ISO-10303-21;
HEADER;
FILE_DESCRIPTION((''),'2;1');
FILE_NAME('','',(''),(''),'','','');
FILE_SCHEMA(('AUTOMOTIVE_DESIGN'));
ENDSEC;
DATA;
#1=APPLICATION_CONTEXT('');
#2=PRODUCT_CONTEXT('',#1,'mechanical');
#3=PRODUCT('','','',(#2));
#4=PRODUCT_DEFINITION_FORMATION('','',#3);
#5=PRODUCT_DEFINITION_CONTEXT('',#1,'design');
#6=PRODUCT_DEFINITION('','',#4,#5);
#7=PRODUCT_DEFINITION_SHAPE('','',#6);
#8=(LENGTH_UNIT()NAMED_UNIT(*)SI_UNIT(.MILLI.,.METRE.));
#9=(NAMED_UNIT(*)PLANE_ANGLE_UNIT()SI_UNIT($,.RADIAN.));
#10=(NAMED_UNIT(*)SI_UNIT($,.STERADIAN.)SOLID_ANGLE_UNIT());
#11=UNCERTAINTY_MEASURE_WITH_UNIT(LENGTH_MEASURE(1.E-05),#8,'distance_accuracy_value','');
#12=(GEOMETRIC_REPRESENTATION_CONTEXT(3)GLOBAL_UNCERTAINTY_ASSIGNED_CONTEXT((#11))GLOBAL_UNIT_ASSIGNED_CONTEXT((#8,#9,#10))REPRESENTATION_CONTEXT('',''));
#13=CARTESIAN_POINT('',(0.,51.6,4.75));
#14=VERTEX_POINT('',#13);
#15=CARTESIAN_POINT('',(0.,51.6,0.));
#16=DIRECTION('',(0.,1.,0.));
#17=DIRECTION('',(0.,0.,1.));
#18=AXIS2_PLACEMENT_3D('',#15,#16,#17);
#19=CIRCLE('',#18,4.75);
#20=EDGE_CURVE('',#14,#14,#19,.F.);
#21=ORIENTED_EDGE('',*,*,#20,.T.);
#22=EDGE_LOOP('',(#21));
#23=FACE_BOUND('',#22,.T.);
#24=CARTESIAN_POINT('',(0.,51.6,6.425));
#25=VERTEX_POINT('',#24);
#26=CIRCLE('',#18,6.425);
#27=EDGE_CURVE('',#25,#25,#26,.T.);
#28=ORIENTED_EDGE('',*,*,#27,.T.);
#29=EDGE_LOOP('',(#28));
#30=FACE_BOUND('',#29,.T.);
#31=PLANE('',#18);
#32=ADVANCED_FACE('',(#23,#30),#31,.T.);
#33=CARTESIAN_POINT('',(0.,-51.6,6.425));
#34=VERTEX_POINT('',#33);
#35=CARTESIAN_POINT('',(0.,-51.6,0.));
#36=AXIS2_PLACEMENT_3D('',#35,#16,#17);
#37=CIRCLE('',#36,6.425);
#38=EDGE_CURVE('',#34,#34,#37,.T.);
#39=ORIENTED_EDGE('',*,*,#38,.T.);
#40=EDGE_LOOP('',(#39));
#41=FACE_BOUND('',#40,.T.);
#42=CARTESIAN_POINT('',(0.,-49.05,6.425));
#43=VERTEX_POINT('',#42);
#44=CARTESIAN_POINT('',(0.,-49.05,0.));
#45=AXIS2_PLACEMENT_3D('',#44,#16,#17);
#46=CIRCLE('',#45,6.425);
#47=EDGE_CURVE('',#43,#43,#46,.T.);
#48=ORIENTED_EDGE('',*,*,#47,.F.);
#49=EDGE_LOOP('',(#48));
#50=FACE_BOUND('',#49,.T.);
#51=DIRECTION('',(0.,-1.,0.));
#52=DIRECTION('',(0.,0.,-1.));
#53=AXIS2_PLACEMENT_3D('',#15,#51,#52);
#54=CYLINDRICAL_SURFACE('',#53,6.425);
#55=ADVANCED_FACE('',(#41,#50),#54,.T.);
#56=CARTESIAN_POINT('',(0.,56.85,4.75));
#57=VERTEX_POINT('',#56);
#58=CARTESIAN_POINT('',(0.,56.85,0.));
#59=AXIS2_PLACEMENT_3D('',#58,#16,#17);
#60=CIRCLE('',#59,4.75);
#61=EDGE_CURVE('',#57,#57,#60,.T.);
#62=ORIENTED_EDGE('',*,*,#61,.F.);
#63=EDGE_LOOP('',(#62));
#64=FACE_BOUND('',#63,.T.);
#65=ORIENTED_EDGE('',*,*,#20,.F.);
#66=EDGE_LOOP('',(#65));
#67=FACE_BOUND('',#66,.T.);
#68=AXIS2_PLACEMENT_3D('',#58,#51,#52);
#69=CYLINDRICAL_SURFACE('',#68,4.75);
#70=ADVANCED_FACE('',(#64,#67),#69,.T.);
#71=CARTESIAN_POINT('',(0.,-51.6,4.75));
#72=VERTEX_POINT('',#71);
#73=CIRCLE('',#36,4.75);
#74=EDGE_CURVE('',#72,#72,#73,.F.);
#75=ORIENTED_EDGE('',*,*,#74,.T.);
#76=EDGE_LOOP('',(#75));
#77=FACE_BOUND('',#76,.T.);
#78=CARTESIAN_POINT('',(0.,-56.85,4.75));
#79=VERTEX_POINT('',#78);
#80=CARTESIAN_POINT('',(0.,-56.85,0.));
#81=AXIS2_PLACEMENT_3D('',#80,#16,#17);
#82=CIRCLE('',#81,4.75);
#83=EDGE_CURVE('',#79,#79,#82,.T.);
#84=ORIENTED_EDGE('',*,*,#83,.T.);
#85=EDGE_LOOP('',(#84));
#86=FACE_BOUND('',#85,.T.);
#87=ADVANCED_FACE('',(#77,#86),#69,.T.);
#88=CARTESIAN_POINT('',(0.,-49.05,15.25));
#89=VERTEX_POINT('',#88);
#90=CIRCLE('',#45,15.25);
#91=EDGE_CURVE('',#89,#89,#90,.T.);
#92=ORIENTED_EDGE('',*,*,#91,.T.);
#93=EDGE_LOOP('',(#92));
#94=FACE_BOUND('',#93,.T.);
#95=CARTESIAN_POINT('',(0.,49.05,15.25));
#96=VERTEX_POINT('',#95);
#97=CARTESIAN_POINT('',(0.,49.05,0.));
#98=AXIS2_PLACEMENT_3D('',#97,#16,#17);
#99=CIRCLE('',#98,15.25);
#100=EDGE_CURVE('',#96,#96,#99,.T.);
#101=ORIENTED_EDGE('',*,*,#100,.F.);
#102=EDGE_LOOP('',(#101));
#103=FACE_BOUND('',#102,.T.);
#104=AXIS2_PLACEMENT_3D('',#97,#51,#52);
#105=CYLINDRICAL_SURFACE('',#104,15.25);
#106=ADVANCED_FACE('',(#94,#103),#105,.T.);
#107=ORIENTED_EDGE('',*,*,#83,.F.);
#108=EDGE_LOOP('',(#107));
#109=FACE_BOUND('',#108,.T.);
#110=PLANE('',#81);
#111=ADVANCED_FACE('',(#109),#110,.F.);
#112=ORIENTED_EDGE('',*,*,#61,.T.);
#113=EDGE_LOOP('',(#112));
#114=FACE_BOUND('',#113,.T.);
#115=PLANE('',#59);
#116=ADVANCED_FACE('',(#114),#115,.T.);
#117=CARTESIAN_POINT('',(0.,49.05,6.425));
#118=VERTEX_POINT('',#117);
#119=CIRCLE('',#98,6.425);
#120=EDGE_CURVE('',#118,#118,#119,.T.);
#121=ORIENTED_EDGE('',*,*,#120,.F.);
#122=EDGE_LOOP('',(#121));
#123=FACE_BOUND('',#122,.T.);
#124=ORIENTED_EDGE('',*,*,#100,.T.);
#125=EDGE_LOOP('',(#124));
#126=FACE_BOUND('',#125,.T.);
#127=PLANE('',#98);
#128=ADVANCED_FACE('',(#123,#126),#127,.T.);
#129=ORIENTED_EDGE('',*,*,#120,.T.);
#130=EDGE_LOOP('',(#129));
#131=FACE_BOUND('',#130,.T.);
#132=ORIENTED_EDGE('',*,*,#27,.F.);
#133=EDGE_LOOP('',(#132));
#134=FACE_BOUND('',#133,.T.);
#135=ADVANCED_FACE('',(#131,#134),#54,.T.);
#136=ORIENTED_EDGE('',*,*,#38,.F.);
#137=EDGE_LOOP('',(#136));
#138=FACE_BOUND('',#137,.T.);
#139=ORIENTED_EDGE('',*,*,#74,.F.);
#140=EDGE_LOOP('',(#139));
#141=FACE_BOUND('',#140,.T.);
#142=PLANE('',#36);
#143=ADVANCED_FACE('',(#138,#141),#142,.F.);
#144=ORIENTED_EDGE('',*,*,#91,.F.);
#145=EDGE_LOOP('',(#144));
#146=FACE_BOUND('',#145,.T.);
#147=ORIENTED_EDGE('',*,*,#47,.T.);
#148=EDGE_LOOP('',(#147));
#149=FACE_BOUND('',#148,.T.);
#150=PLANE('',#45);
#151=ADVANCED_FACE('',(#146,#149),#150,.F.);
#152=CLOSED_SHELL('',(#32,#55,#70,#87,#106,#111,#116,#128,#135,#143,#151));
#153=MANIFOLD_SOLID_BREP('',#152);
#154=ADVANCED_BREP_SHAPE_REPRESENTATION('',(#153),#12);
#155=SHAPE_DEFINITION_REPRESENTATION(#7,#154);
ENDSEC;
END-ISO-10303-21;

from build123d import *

# Parameters (mm, degrees)
SKETCH1_R           = 6.425
BOSS_EXTRUDE1_DEPTH = 51.6
SKETCH1_3_R         = 4.75
BOSS_EXTRUDE2_DEPTH = 56.85
SKETCH1_5_R         = 15.25
SKETCH1_5_R_2       = 6.425
BOSS_EXTRUDE4_DEPTH = 49.05


with BuildPart() as part:
    # Sketch1 → Boss-Extrude1 (new, symmetric)
    with BuildSketch(Plane(origin=(0, 0, 0), x_dir=(1, 0, 0), z_dir=(0, 1, 0))):
        Circle(SKETCH1_R)
    extrude(amount=BOSS_EXTRUDE1_DEPTH, both=True)

    # Sketch1<3> → Boss-Extrude2 (add, symmetric)
    with BuildSketch(Plane(origin=(0, 0, 0), x_dir=(1, 0, 0), z_dir=(0, 1, 0))):
        Circle(SKETCH1_3_R)
    extrude(amount=BOSS_EXTRUDE2_DEPTH, both=True)

    # Sketch1<5> → Boss-Extrude4 (add, symmetric)
    with BuildSketch(Plane(origin=(0, 0, 0), x_dir=(1, 0, 0), z_dir=(0, 1, 0))):
        Circle(SKETCH1_5_R)
        Circle(SKETCH1_5_R_2, mode=Mode.SUBTRACT)
    extrude(amount=BOSS_EXTRUDE4_DEPTH, both=True)


solid = part.part
